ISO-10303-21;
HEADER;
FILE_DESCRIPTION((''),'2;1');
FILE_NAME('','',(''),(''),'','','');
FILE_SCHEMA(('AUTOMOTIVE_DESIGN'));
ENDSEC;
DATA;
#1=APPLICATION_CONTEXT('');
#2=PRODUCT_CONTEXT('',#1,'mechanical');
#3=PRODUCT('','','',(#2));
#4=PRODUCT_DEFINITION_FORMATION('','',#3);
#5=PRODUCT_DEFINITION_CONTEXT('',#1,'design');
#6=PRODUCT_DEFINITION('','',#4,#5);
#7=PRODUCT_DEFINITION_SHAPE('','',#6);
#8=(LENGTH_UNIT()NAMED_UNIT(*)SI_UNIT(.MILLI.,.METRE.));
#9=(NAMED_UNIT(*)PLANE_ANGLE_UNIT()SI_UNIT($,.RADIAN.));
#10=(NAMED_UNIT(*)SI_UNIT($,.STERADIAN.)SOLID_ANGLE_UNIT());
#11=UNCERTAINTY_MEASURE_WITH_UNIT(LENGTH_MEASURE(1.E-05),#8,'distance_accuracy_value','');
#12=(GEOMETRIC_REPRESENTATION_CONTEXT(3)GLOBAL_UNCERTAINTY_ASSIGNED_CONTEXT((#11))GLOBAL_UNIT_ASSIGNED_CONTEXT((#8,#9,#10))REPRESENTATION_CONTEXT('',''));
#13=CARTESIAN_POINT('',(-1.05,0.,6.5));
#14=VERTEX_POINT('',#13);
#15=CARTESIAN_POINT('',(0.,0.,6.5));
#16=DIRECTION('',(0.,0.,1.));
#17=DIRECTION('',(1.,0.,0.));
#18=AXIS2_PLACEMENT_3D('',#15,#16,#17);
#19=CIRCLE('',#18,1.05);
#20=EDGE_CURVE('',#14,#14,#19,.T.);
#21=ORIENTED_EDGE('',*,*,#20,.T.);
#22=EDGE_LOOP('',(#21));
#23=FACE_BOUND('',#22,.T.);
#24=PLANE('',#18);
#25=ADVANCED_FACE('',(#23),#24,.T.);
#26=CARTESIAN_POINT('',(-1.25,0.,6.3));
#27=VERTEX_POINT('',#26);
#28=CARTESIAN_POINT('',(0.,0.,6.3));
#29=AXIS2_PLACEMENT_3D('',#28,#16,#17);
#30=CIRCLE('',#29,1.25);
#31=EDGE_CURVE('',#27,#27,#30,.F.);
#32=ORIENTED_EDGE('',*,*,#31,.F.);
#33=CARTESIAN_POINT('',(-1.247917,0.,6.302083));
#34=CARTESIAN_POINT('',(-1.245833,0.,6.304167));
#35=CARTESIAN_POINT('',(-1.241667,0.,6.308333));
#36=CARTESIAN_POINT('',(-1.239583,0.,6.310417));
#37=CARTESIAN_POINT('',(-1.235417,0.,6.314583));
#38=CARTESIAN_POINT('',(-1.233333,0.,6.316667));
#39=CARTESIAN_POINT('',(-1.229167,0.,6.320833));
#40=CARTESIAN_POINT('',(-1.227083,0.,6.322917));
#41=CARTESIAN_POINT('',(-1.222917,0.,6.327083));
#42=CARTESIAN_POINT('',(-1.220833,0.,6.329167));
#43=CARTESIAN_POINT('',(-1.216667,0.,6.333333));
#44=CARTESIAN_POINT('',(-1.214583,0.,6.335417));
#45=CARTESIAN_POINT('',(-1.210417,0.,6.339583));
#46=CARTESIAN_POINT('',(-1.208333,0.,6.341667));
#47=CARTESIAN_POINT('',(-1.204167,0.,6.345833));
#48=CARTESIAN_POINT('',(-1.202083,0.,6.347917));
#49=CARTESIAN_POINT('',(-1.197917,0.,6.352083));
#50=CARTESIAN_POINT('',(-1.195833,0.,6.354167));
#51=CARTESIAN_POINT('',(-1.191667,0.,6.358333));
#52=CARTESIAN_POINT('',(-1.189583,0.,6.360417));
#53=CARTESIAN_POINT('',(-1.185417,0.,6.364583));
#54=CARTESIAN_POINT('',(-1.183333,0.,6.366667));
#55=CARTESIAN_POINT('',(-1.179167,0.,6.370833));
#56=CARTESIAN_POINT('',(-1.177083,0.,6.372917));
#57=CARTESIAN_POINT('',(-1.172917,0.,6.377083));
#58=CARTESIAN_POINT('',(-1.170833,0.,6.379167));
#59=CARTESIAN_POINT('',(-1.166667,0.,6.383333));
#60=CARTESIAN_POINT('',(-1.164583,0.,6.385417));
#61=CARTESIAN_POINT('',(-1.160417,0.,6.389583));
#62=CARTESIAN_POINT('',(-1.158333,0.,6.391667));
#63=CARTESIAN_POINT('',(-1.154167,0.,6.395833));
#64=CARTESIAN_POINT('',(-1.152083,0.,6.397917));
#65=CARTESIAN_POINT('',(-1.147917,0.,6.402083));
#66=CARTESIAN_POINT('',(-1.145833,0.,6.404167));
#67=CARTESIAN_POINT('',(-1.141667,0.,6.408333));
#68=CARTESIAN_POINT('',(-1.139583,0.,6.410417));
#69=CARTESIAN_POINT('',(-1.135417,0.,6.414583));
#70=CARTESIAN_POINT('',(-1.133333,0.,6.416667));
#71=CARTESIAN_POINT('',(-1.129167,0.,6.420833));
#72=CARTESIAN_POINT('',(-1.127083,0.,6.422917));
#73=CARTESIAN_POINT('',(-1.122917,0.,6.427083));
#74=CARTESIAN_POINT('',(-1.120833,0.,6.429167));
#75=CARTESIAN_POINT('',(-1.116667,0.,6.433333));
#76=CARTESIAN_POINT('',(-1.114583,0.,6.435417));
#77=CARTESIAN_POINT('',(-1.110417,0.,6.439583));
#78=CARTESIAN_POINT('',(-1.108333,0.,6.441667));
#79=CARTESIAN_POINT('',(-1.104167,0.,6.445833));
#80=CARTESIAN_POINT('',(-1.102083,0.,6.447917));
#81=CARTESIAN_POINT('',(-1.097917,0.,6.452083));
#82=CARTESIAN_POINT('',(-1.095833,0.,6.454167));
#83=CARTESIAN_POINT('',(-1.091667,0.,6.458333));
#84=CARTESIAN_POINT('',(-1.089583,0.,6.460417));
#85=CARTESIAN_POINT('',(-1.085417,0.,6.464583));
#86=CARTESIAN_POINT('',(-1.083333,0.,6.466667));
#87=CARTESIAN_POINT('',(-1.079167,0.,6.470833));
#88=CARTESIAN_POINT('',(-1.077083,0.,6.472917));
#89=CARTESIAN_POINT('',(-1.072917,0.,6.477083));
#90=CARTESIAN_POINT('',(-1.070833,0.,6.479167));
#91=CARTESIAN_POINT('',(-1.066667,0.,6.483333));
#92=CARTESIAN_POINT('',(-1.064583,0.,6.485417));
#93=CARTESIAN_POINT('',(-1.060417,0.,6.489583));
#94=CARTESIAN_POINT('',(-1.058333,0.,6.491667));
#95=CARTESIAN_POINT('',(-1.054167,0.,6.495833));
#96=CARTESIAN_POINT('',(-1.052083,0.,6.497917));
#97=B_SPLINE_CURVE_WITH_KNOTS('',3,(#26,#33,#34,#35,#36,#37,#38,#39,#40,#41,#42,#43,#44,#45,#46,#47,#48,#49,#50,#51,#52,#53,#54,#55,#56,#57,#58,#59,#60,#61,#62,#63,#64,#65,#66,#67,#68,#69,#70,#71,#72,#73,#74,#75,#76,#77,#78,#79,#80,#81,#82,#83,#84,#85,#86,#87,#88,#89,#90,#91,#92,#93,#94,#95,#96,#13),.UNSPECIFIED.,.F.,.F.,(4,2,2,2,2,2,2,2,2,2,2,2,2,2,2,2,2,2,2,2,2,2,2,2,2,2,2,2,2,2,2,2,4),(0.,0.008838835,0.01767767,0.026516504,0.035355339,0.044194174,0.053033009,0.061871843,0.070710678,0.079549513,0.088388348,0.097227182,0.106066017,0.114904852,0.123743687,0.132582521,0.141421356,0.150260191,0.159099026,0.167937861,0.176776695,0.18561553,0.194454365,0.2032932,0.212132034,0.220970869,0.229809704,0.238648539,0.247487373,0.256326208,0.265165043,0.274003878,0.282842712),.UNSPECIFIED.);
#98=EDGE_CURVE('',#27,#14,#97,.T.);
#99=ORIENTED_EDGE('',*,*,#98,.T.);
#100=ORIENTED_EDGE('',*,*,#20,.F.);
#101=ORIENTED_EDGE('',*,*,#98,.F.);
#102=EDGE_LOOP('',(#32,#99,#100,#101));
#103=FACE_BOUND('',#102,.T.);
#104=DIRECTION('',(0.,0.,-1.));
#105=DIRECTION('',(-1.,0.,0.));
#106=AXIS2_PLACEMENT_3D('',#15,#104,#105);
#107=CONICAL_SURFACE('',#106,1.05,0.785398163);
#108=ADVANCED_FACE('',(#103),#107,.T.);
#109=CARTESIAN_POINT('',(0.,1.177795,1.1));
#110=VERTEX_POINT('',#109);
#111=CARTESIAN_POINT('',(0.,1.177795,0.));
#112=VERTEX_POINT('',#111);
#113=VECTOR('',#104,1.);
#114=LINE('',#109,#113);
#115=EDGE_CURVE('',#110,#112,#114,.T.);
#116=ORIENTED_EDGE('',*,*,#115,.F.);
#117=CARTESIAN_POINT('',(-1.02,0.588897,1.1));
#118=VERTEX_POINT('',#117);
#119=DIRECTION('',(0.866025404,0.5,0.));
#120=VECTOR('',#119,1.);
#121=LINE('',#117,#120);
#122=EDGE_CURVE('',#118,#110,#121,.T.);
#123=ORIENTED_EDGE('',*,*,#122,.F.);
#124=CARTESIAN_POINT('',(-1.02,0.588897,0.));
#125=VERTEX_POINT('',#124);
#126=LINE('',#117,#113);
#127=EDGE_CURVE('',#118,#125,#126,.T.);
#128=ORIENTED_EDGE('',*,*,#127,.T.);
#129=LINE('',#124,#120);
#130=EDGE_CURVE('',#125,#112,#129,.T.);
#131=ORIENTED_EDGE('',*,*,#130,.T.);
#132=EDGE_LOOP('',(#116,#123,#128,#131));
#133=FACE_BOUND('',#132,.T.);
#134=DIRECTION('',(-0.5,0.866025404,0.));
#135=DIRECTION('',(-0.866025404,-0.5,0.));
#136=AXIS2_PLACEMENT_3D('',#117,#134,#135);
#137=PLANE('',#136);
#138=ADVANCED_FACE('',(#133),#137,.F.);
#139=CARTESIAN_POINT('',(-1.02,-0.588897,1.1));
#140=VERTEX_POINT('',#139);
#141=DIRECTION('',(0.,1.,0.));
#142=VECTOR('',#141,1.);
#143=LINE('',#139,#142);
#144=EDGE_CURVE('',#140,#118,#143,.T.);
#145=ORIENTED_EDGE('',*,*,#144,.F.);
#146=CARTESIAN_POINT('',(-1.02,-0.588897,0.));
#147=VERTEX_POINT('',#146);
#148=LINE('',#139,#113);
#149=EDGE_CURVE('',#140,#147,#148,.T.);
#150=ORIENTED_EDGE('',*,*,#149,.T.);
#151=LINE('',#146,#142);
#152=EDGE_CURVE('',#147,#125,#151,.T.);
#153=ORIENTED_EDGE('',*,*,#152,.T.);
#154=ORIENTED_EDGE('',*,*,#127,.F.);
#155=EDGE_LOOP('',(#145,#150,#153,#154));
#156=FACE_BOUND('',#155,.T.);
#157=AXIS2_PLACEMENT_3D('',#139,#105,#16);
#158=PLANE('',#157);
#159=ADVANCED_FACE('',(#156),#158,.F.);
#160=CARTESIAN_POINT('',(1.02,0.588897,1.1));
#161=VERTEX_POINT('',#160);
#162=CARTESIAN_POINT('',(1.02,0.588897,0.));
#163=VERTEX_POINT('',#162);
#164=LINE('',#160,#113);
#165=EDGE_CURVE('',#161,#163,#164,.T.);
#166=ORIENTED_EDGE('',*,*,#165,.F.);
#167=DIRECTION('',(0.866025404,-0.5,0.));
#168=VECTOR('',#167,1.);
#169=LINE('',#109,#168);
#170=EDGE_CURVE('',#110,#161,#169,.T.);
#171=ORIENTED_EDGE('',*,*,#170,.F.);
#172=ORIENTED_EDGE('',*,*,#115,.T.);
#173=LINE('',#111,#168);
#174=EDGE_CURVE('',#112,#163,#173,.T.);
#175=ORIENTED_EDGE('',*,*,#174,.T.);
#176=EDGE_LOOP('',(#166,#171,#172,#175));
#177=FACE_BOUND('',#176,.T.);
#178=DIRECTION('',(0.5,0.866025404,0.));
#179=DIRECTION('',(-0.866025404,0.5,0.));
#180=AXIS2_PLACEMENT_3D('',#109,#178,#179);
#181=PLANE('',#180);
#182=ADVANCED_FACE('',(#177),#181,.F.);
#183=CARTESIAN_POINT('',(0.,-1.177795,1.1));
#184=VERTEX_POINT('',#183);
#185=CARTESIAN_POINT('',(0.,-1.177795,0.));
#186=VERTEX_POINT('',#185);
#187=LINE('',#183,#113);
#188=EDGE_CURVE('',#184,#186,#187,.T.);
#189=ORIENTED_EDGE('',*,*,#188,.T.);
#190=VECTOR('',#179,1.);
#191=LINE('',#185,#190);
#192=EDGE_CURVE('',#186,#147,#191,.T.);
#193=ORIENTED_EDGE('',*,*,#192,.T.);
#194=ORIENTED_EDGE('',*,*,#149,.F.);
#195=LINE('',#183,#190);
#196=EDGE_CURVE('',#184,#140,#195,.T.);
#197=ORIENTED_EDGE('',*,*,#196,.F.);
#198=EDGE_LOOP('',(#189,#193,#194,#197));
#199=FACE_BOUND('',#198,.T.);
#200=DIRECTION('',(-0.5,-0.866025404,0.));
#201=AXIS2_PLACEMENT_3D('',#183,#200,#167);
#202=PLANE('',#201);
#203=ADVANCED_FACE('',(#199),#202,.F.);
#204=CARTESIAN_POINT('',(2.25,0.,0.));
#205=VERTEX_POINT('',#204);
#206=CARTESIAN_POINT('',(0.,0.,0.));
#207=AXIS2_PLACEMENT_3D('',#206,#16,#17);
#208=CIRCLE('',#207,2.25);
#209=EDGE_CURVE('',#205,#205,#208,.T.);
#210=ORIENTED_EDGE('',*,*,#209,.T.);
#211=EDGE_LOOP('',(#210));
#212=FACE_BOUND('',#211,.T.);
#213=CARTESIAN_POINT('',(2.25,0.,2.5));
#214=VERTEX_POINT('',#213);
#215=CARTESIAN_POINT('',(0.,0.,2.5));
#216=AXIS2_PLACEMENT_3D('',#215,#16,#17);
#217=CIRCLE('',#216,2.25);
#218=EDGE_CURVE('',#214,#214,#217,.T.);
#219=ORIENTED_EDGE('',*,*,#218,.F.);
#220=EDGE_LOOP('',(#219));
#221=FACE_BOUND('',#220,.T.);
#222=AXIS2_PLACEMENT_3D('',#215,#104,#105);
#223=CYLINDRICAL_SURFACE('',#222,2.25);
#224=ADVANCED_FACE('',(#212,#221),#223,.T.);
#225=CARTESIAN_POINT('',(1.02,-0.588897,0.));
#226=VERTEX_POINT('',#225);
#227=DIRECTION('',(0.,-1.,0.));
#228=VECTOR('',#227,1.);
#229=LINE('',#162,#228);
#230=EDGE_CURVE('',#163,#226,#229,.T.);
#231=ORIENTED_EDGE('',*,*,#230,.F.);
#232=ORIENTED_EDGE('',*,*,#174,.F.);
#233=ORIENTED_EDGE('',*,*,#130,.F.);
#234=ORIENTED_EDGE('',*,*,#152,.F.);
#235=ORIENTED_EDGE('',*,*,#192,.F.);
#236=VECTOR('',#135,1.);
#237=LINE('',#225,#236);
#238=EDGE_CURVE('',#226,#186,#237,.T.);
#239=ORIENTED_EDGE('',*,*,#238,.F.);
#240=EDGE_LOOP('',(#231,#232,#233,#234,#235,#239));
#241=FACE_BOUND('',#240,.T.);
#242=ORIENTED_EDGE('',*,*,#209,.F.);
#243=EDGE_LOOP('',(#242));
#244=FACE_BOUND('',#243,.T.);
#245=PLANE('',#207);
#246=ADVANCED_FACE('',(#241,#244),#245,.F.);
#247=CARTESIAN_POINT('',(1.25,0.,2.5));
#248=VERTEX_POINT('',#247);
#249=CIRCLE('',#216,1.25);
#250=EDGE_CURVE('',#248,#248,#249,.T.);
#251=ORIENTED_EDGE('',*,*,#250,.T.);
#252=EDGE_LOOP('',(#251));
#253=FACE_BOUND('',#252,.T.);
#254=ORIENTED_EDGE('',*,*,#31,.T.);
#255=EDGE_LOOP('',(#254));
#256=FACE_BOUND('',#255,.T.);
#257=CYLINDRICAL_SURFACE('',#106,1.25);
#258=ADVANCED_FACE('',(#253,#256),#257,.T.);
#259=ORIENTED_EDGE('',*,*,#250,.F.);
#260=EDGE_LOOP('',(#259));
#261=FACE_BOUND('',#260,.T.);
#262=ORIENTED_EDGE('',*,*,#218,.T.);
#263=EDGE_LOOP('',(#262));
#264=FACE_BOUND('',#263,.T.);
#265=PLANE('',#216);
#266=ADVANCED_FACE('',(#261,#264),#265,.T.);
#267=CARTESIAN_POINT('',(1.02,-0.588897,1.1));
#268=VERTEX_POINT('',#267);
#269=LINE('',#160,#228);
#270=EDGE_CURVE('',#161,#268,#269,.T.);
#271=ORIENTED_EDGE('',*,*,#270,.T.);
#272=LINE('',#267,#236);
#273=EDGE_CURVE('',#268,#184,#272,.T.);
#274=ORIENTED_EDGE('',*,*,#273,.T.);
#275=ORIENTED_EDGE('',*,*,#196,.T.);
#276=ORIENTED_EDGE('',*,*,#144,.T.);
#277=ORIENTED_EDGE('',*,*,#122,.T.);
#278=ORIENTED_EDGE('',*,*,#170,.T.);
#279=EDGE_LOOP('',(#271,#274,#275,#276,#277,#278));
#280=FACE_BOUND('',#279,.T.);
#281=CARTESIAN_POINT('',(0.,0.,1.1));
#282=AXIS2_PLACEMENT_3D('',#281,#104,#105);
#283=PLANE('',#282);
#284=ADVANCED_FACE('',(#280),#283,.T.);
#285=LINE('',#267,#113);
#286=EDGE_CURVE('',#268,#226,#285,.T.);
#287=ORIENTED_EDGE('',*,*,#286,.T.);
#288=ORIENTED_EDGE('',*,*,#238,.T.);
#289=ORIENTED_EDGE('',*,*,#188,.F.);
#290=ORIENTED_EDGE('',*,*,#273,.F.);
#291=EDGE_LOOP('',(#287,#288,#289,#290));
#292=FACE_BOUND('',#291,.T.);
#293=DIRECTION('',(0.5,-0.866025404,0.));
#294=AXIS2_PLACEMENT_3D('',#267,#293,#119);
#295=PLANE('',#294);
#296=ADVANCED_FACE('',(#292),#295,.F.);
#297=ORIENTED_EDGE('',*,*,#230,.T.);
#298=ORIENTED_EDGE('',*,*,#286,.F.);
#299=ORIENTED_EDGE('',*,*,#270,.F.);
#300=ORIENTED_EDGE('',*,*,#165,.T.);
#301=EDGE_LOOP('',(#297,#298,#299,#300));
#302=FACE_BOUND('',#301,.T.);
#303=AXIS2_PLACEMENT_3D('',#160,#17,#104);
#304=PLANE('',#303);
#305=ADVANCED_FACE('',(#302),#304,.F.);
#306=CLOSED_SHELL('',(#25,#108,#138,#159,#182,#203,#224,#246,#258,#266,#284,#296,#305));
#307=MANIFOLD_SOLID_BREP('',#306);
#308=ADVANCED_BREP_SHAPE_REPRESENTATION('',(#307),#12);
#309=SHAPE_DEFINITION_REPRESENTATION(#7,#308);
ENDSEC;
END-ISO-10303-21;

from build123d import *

# Parameters (mm, degrees)
SKETCH_1_R          = 2.25
EXTRUDE_1_DEPTH     = 2.5
SKETCH_2_R          = 1.25
EXTRUDE_2_DEPTH     = 4
CHAMFER_1_SIZE      = 0.2
CUT_EXTRUDE_1_DEPTH = 1.1


with BuildPart() as part:
    # 草图1 → 凸台-拉伸1 (new body)
    with BuildSketch(Plane.XY):
        Circle(SKETCH_1_R)
    extrude(amount=EXTRUDE_1_DEPTH)

    # 草图2 → 凸台-拉伸2 (add)
    with BuildSketch(Plane.XY.offset(2.5)):
        Circle(SKETCH_2_R)
    extrude(amount=EXTRUDE_2_DEPTH)

    # 倒角1
    chamfer_1_edges = [part.edges().sort_by_distance(p)[0] for p in [
        (-1.25, 0, 6.5),
    ]]
    chamfer(chamfer_1_edges, length=CHAMFER_1_SIZE)

    # 草图3 → 切除-拉伸1 (cut)
    with BuildSketch(Plane(origin=(0, 0, 0), x_dir=(-1, 0, 0), z_dir=(0, 0, -1))):
        Polygon((0, 1.177794549), (-1.02, 0.588897275), (-1.02, -0.588897275), (0, -1.177794549), (1.02, -0.588897275), (1.02, 0.588897275), align=None)
    extrude(amount=-CUT_EXTRUDE_1_DEPTH, mode=Mode.SUBTRACT)


solid = part.part
